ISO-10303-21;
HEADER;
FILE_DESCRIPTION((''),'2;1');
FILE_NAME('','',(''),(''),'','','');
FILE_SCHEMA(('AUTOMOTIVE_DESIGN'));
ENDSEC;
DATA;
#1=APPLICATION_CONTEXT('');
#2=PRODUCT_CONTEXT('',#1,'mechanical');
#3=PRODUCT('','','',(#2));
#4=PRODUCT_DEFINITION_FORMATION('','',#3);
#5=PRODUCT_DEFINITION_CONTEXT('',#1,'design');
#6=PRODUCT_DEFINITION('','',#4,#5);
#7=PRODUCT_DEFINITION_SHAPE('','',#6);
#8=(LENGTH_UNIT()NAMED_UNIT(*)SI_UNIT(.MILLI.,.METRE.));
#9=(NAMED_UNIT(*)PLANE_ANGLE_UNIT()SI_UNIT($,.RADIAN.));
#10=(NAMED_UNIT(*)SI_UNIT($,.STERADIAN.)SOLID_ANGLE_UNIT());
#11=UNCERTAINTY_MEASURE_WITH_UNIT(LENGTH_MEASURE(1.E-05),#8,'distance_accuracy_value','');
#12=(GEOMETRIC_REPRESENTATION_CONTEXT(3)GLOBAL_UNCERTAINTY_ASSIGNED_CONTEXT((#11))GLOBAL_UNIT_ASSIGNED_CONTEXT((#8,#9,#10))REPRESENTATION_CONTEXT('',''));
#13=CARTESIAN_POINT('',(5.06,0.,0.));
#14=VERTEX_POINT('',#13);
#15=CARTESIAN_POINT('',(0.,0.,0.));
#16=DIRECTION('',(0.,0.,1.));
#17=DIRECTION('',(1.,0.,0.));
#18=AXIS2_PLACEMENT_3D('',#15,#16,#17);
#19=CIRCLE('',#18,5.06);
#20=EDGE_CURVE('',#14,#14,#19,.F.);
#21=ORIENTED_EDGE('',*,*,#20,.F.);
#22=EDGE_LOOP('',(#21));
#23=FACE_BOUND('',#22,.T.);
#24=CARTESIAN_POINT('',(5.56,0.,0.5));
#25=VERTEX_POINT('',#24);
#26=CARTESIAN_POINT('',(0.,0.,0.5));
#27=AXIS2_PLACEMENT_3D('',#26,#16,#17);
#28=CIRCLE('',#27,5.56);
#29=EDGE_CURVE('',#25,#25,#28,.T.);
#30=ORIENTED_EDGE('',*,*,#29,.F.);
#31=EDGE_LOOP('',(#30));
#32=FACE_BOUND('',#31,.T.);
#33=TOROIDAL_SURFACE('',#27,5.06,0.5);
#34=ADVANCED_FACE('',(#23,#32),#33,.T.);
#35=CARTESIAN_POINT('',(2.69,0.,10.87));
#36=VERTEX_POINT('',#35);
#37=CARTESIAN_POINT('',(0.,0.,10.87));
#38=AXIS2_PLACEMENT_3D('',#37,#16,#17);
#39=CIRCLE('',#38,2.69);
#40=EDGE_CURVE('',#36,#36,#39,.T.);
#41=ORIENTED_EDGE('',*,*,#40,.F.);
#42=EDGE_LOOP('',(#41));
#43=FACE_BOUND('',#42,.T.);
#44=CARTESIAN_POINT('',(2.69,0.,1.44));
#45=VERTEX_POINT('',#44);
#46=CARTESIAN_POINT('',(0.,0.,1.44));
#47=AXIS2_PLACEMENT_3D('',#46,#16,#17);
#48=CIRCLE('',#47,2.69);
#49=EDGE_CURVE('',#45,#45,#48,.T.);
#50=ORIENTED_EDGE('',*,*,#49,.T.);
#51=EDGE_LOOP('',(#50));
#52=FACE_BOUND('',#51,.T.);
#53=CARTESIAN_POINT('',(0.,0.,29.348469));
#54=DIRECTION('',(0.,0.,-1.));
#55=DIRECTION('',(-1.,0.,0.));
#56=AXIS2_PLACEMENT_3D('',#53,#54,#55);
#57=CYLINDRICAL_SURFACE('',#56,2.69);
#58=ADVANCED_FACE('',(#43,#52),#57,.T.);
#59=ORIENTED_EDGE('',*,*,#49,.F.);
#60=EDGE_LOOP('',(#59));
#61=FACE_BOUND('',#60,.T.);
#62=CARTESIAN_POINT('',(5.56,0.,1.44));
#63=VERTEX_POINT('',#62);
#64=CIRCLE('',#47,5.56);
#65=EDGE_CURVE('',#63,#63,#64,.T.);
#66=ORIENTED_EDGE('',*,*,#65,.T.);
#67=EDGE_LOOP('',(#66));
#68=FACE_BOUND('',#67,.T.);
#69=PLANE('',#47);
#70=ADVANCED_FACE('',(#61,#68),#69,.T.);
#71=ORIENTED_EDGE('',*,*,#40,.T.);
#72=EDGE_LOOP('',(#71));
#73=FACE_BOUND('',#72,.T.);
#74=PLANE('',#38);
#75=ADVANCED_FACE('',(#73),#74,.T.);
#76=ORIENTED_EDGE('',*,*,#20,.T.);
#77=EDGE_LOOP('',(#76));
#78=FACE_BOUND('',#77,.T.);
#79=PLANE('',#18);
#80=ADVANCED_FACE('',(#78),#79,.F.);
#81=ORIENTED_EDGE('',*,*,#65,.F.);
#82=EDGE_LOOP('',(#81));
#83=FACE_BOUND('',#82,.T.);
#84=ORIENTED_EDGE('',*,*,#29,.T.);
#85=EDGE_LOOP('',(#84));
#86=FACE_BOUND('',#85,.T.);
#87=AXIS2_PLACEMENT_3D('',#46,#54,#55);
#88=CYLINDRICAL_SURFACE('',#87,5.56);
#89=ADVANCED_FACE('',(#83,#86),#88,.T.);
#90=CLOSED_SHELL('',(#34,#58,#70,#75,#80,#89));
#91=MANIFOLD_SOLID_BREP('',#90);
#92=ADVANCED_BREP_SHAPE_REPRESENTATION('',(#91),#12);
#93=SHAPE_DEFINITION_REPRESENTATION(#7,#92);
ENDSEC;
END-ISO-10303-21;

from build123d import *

# Parameters (mm, degrees)
SKETCH1_R           = 5.56
BOSS_EXTRUDE1_DEPTH = 1.44
SKETCH2_R           = 2.69
BOSS_EXTRUDE2_DEPTH = 9.43
FILLET1_R           = 0.5


with BuildPart() as part:
    # Sketch1 → Boss-Extrude1 (new body)
    with BuildSketch(Plane.XY):
        Circle(SKETCH1_R)
    extrude(amount=BOSS_EXTRUDE1_DEPTH)

    # Sketch2 → Boss-Extrude2 (add)
    with BuildSketch(Plane.XY.offset(1.44)):
        Circle(SKETCH2_R)
    extrude(amount=BOSS_EXTRUDE2_DEPTH)

    # Fillet1
    fillet1_edges = [part.edges().sort_by_distance(p)[0] for p in [
        (-5.56, 0, 0),
    ]]
    fillet(fillet1_edges, radius=FILLET1_R)


solid = part.part
